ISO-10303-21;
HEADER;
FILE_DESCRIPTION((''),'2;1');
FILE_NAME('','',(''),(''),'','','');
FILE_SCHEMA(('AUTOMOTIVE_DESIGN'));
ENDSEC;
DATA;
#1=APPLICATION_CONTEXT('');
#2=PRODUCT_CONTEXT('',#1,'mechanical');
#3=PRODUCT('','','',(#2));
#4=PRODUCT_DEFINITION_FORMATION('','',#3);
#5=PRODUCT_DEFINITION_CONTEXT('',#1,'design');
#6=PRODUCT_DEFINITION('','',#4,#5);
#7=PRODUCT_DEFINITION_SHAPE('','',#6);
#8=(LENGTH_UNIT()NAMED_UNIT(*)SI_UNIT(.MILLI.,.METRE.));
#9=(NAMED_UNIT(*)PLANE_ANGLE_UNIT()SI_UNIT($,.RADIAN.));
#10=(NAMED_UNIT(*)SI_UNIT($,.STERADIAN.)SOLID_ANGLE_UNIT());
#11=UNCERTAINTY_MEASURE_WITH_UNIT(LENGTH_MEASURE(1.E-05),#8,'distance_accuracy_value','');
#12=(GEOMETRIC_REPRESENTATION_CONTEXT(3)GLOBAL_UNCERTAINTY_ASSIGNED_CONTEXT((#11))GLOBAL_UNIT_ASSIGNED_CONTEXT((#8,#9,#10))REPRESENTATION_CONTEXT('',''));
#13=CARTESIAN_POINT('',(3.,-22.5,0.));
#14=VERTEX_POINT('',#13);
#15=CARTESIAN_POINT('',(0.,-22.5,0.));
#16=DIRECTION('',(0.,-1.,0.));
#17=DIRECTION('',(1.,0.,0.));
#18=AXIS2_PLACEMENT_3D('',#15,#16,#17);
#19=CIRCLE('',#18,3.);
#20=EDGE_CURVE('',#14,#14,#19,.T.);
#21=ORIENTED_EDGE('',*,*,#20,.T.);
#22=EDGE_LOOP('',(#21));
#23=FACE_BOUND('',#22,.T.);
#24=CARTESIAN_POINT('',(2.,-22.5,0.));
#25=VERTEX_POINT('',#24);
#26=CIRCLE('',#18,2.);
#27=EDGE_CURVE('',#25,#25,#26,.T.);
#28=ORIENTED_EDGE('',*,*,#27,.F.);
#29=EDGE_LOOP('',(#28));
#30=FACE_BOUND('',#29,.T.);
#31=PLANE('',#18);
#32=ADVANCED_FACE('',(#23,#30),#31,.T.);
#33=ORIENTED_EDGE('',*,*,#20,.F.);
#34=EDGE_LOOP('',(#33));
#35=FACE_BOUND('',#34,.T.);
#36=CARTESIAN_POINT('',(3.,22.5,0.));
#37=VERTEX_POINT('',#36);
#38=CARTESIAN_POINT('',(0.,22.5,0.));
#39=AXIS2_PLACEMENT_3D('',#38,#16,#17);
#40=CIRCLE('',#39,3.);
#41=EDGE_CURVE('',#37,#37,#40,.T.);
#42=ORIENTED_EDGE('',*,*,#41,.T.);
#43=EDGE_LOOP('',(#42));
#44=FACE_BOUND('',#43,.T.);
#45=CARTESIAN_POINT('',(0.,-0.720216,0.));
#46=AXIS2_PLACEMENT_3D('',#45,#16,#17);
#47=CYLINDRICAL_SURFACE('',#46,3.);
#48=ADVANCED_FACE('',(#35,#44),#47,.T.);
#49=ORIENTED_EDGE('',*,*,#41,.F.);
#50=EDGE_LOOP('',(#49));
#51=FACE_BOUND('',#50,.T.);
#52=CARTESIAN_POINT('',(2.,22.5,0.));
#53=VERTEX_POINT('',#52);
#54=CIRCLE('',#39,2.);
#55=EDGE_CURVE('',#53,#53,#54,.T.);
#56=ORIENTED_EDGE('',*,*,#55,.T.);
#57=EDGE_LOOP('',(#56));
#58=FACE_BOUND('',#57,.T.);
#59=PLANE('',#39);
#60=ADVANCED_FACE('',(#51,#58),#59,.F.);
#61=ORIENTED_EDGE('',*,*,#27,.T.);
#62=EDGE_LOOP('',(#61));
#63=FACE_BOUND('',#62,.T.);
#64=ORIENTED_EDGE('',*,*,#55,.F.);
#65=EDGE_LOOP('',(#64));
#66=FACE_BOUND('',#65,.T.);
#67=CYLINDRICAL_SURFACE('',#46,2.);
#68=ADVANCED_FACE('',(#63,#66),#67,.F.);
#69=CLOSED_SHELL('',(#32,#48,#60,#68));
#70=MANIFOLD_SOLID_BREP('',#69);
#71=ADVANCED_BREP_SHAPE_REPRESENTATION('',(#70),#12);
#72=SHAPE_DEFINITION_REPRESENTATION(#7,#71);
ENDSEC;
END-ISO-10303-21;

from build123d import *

# Parameters (mm, degrees)
CROQUIS1_W = 1
CROQUIS1_H = 45


with BuildPart() as part:
    # Croquis1 → Revolución1 (revolve)
    with BuildSketch(Plane.XY):
        with Locations((-2.5, 0)):
            Rectangle(CROQUIS1_W, CROQUIS1_H)
    revolve(axis=Axis((0, -0.720216084, 0), (0, 1, 0)))


solid = part.part
